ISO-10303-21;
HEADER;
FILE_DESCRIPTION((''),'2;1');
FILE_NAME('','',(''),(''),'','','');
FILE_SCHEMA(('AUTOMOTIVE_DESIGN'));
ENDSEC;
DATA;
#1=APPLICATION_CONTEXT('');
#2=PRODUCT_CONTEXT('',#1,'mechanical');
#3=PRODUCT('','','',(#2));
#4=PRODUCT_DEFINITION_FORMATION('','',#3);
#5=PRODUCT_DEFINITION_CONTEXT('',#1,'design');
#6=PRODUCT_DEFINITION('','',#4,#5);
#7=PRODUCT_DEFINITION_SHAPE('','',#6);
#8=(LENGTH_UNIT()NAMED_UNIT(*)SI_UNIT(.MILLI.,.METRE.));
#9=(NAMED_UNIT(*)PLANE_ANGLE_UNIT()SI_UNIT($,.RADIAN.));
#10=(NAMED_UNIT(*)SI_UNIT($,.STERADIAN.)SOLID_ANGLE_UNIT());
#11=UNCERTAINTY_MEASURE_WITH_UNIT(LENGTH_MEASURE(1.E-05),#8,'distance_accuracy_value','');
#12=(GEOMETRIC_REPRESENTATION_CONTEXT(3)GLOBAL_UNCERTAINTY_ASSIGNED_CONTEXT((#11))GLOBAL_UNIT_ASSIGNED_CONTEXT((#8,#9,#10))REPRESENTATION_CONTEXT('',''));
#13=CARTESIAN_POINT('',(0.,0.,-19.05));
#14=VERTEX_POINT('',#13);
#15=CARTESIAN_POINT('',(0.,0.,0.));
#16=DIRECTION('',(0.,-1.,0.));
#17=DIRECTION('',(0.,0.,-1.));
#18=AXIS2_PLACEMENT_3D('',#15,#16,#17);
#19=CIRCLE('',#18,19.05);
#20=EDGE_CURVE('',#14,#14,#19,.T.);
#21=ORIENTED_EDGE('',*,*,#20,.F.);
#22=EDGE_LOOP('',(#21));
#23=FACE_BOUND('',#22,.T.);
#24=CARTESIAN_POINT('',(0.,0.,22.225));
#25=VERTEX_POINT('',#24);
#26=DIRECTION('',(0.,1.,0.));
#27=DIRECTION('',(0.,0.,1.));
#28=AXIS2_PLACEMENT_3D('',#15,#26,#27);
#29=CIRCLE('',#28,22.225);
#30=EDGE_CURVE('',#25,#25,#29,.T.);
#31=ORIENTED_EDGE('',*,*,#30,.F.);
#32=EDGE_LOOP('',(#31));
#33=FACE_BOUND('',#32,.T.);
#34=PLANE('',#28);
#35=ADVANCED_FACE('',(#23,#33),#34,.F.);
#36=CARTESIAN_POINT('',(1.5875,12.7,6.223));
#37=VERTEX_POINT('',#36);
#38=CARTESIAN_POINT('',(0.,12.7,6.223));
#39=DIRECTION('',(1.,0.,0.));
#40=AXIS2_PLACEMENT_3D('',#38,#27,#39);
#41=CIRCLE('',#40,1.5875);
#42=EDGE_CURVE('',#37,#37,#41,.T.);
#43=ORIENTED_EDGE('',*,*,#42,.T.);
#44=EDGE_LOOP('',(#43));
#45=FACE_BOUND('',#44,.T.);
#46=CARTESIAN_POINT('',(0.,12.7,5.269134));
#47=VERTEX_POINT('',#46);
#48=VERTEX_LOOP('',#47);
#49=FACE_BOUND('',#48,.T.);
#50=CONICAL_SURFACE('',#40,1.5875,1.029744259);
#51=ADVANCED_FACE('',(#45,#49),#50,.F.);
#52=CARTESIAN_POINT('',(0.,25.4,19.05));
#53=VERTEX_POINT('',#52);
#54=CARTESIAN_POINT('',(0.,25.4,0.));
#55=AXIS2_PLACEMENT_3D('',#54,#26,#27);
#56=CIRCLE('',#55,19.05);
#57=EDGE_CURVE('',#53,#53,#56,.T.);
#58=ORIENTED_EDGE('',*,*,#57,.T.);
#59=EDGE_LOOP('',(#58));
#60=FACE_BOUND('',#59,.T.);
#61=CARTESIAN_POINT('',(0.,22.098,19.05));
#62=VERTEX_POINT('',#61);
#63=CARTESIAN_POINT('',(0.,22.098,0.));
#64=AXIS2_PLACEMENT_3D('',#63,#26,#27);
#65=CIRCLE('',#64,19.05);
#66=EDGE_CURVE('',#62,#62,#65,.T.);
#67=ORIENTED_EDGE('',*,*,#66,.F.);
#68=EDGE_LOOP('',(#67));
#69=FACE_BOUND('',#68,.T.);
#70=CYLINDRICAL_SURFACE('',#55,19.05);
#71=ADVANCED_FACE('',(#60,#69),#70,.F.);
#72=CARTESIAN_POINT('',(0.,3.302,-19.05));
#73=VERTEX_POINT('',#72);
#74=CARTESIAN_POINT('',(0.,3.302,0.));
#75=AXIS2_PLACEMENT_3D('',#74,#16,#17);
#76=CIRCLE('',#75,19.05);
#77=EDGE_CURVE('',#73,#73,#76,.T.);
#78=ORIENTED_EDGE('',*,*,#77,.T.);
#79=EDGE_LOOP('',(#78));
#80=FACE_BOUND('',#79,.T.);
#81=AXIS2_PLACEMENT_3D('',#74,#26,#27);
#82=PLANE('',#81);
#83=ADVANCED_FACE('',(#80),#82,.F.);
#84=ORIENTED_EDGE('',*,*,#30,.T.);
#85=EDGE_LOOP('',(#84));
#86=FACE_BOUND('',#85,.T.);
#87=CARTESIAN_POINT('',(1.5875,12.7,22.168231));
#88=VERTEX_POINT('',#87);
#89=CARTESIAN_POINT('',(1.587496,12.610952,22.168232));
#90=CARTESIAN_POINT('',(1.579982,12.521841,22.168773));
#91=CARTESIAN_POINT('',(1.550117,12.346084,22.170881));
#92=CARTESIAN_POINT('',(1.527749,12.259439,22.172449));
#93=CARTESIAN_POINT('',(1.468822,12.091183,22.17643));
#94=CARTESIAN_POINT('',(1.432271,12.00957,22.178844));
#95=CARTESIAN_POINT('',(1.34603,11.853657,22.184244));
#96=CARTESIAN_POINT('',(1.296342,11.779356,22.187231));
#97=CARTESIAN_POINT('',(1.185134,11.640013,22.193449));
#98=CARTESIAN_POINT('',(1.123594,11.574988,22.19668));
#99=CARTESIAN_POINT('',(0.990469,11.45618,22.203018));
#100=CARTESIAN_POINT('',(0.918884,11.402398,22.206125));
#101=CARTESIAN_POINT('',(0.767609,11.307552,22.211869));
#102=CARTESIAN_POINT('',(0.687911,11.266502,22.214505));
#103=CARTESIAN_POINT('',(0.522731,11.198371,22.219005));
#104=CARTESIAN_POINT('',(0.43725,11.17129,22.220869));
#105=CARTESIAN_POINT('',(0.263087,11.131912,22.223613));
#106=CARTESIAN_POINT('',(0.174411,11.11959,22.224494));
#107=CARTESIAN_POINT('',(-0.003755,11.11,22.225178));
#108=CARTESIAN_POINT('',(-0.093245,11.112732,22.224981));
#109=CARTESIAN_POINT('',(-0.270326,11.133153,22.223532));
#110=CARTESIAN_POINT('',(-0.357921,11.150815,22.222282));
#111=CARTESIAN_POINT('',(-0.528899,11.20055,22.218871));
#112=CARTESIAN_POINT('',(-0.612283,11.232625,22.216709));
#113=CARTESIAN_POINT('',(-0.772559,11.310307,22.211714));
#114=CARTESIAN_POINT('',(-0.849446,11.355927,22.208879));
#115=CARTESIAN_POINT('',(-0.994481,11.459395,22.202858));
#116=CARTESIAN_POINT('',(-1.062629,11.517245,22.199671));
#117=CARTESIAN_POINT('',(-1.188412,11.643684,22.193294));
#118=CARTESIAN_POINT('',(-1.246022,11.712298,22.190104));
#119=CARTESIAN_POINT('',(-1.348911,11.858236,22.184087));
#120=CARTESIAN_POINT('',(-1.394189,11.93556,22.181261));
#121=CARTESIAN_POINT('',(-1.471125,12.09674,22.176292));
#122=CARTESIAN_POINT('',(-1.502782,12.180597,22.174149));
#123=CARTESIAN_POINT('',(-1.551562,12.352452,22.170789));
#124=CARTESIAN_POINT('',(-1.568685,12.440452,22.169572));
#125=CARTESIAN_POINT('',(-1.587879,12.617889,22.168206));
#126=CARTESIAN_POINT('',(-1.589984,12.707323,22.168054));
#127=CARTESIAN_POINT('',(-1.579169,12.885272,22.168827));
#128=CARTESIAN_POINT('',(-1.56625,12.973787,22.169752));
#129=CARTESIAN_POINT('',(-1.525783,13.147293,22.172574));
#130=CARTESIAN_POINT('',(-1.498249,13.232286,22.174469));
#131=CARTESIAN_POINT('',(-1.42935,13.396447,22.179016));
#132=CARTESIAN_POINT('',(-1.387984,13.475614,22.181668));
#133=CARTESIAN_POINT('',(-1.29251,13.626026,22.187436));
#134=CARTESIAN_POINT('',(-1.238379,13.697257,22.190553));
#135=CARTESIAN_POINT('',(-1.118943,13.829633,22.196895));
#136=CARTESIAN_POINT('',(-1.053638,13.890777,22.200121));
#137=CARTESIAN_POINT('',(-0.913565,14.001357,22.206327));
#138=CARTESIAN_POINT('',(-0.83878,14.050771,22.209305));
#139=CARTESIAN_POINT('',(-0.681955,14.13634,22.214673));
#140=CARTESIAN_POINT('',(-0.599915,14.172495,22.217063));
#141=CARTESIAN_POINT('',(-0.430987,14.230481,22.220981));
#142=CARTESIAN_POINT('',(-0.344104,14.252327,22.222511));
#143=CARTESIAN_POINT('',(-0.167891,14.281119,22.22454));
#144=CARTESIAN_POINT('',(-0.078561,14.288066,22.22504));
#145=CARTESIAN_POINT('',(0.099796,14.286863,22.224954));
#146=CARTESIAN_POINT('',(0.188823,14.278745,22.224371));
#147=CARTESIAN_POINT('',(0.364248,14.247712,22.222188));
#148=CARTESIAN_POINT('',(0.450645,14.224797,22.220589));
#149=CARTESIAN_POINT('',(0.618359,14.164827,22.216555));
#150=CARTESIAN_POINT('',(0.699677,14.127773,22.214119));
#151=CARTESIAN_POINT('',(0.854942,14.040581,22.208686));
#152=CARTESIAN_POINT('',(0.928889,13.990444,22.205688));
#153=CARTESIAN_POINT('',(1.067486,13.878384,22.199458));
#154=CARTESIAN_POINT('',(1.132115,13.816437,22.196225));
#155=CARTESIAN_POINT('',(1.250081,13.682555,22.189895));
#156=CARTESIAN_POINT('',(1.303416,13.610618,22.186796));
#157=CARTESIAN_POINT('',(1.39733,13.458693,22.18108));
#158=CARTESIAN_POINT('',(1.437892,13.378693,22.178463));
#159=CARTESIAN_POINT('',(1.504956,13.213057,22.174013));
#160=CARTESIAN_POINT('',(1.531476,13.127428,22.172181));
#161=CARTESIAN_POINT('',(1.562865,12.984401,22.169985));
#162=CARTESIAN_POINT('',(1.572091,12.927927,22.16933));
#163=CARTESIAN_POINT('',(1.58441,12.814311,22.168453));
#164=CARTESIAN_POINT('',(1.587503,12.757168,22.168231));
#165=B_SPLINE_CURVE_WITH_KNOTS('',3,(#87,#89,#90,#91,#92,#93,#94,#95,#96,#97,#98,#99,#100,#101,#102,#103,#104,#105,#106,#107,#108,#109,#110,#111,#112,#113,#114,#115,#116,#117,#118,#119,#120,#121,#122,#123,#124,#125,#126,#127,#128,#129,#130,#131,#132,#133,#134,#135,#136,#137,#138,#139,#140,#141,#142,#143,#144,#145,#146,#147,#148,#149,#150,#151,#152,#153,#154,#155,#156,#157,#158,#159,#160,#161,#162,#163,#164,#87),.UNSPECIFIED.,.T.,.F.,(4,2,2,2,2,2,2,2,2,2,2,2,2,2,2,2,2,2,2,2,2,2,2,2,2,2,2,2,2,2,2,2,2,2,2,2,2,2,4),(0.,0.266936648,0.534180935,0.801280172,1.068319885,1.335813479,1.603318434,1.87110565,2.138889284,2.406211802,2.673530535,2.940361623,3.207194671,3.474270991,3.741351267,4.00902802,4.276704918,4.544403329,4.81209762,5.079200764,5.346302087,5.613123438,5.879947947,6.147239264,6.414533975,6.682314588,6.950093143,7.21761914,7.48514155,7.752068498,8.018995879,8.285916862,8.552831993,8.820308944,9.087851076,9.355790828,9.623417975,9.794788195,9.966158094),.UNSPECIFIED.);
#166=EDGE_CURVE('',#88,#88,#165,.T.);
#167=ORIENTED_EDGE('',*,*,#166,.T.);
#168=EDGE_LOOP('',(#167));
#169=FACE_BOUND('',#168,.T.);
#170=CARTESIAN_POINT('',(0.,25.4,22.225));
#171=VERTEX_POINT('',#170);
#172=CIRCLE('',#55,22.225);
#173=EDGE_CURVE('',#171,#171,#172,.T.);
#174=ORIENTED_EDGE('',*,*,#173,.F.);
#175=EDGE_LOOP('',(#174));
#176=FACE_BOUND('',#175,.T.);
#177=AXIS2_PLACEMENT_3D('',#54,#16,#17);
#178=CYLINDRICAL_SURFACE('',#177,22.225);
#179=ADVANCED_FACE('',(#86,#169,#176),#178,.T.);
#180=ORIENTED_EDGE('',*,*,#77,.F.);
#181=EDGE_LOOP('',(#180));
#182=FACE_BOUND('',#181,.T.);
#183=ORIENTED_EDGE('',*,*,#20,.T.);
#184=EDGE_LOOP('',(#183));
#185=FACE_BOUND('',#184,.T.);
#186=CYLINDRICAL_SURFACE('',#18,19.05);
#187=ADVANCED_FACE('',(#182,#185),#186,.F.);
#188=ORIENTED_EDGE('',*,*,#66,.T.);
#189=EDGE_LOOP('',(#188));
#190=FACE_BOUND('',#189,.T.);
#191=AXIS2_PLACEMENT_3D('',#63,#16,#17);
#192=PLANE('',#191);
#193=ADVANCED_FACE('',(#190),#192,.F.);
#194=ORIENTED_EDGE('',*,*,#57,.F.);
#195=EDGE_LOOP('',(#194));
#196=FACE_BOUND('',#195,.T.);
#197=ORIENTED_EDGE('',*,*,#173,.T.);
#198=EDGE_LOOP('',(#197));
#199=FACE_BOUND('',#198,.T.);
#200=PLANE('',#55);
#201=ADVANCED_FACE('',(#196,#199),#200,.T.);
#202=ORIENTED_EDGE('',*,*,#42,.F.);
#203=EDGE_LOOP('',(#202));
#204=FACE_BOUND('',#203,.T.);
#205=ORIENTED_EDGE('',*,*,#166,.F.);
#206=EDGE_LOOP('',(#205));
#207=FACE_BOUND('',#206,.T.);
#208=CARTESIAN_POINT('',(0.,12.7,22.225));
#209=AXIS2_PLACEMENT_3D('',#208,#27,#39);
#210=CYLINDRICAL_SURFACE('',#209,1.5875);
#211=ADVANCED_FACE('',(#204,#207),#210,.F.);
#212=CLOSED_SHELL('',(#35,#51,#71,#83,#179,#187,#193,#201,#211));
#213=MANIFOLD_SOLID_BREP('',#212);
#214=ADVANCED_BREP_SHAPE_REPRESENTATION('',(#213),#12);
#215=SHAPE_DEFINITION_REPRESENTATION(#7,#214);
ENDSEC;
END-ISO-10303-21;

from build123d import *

# Parameters (mm, degrees)
SKETCH2_R                        = 22.225
BOSS_EXTRUDE1_DEPTH              = 25.4
F_1_4_1_5_DIAMETER_HOLE1_D       = 38.1
F_1_4_1_5_DIAMETER_HOLE1_DEPTH   = 3.302
F_1_4_1_5_DIAMETER_HOLE2_D       = 38.1
F_1_4_1_5_DIAMETER_HOLE2_DEPTH   = 3.302
F_1_4_0_125_DIAMETER_HOLE1_D     = 3.175
F_1_4_0_125_DIAMETER_HOLE1_DEPTH = 16.002
F_1_4_0_125_DIAMETER_HOLE1_TIP   = 0.953866233


with BuildPart() as part:
    # Sketch2 → Boss-Extrude1 (new body)
    with BuildSketch(Plane(origin=(0, 0, 0), x_dir=(1, 0, 0), z_dir=(0, 1, 0))):
        Circle(SKETCH2_R)
    extrude(amount=BOSS_EXTRUDE1_DEPTH)

    # 1/4 (1.5) Diameter Hole1
    with Locations(Plane(origin=(0, 25.4, 0), x_dir=(1, 0, 0), z_dir=(0, 1, 0))):
        with Locations((0, 0)):
            Hole(F_1_4_1_5_DIAMETER_HOLE1_D / 2, depth=F_1_4_1_5_DIAMETER_HOLE1_DEPTH)

    # 1/4 (1.5) Diameter Hole2
    with Locations(Plane(origin=(0, 0, 0), x_dir=(-1, 0, 0), z_dir=(0, -1, 0))):
        with Locations((0, 0)):
            Hole(F_1_4_1_5_DIAMETER_HOLE2_D / 2, depth=F_1_4_1_5_DIAMETER_HOLE2_DEPTH)

    # 1/4 (0.125) Diameter Hole1
    with Locations(Plane.XY.offset(22.225)):
        with Locations((0, 12.7)):
            Hole(F_1_4_0_125_DIAMETER_HOLE1_D / 2, depth=F_1_4_0_125_DIAMETER_HOLE1_DEPTH)
            with Locations((0, 0, -(F_1_4_0_125_DIAMETER_HOLE1_DEPTH + F_1_4_0_125_DIAMETER_HOLE1_TIP / 2))):  # 118° drill point
                Cone(0, F_1_4_0_125_DIAMETER_HOLE1_D / 2, F_1_4_0_125_DIAMETER_HOLE1_TIP, mode=Mode.SUBTRACT)


solid = part.part
